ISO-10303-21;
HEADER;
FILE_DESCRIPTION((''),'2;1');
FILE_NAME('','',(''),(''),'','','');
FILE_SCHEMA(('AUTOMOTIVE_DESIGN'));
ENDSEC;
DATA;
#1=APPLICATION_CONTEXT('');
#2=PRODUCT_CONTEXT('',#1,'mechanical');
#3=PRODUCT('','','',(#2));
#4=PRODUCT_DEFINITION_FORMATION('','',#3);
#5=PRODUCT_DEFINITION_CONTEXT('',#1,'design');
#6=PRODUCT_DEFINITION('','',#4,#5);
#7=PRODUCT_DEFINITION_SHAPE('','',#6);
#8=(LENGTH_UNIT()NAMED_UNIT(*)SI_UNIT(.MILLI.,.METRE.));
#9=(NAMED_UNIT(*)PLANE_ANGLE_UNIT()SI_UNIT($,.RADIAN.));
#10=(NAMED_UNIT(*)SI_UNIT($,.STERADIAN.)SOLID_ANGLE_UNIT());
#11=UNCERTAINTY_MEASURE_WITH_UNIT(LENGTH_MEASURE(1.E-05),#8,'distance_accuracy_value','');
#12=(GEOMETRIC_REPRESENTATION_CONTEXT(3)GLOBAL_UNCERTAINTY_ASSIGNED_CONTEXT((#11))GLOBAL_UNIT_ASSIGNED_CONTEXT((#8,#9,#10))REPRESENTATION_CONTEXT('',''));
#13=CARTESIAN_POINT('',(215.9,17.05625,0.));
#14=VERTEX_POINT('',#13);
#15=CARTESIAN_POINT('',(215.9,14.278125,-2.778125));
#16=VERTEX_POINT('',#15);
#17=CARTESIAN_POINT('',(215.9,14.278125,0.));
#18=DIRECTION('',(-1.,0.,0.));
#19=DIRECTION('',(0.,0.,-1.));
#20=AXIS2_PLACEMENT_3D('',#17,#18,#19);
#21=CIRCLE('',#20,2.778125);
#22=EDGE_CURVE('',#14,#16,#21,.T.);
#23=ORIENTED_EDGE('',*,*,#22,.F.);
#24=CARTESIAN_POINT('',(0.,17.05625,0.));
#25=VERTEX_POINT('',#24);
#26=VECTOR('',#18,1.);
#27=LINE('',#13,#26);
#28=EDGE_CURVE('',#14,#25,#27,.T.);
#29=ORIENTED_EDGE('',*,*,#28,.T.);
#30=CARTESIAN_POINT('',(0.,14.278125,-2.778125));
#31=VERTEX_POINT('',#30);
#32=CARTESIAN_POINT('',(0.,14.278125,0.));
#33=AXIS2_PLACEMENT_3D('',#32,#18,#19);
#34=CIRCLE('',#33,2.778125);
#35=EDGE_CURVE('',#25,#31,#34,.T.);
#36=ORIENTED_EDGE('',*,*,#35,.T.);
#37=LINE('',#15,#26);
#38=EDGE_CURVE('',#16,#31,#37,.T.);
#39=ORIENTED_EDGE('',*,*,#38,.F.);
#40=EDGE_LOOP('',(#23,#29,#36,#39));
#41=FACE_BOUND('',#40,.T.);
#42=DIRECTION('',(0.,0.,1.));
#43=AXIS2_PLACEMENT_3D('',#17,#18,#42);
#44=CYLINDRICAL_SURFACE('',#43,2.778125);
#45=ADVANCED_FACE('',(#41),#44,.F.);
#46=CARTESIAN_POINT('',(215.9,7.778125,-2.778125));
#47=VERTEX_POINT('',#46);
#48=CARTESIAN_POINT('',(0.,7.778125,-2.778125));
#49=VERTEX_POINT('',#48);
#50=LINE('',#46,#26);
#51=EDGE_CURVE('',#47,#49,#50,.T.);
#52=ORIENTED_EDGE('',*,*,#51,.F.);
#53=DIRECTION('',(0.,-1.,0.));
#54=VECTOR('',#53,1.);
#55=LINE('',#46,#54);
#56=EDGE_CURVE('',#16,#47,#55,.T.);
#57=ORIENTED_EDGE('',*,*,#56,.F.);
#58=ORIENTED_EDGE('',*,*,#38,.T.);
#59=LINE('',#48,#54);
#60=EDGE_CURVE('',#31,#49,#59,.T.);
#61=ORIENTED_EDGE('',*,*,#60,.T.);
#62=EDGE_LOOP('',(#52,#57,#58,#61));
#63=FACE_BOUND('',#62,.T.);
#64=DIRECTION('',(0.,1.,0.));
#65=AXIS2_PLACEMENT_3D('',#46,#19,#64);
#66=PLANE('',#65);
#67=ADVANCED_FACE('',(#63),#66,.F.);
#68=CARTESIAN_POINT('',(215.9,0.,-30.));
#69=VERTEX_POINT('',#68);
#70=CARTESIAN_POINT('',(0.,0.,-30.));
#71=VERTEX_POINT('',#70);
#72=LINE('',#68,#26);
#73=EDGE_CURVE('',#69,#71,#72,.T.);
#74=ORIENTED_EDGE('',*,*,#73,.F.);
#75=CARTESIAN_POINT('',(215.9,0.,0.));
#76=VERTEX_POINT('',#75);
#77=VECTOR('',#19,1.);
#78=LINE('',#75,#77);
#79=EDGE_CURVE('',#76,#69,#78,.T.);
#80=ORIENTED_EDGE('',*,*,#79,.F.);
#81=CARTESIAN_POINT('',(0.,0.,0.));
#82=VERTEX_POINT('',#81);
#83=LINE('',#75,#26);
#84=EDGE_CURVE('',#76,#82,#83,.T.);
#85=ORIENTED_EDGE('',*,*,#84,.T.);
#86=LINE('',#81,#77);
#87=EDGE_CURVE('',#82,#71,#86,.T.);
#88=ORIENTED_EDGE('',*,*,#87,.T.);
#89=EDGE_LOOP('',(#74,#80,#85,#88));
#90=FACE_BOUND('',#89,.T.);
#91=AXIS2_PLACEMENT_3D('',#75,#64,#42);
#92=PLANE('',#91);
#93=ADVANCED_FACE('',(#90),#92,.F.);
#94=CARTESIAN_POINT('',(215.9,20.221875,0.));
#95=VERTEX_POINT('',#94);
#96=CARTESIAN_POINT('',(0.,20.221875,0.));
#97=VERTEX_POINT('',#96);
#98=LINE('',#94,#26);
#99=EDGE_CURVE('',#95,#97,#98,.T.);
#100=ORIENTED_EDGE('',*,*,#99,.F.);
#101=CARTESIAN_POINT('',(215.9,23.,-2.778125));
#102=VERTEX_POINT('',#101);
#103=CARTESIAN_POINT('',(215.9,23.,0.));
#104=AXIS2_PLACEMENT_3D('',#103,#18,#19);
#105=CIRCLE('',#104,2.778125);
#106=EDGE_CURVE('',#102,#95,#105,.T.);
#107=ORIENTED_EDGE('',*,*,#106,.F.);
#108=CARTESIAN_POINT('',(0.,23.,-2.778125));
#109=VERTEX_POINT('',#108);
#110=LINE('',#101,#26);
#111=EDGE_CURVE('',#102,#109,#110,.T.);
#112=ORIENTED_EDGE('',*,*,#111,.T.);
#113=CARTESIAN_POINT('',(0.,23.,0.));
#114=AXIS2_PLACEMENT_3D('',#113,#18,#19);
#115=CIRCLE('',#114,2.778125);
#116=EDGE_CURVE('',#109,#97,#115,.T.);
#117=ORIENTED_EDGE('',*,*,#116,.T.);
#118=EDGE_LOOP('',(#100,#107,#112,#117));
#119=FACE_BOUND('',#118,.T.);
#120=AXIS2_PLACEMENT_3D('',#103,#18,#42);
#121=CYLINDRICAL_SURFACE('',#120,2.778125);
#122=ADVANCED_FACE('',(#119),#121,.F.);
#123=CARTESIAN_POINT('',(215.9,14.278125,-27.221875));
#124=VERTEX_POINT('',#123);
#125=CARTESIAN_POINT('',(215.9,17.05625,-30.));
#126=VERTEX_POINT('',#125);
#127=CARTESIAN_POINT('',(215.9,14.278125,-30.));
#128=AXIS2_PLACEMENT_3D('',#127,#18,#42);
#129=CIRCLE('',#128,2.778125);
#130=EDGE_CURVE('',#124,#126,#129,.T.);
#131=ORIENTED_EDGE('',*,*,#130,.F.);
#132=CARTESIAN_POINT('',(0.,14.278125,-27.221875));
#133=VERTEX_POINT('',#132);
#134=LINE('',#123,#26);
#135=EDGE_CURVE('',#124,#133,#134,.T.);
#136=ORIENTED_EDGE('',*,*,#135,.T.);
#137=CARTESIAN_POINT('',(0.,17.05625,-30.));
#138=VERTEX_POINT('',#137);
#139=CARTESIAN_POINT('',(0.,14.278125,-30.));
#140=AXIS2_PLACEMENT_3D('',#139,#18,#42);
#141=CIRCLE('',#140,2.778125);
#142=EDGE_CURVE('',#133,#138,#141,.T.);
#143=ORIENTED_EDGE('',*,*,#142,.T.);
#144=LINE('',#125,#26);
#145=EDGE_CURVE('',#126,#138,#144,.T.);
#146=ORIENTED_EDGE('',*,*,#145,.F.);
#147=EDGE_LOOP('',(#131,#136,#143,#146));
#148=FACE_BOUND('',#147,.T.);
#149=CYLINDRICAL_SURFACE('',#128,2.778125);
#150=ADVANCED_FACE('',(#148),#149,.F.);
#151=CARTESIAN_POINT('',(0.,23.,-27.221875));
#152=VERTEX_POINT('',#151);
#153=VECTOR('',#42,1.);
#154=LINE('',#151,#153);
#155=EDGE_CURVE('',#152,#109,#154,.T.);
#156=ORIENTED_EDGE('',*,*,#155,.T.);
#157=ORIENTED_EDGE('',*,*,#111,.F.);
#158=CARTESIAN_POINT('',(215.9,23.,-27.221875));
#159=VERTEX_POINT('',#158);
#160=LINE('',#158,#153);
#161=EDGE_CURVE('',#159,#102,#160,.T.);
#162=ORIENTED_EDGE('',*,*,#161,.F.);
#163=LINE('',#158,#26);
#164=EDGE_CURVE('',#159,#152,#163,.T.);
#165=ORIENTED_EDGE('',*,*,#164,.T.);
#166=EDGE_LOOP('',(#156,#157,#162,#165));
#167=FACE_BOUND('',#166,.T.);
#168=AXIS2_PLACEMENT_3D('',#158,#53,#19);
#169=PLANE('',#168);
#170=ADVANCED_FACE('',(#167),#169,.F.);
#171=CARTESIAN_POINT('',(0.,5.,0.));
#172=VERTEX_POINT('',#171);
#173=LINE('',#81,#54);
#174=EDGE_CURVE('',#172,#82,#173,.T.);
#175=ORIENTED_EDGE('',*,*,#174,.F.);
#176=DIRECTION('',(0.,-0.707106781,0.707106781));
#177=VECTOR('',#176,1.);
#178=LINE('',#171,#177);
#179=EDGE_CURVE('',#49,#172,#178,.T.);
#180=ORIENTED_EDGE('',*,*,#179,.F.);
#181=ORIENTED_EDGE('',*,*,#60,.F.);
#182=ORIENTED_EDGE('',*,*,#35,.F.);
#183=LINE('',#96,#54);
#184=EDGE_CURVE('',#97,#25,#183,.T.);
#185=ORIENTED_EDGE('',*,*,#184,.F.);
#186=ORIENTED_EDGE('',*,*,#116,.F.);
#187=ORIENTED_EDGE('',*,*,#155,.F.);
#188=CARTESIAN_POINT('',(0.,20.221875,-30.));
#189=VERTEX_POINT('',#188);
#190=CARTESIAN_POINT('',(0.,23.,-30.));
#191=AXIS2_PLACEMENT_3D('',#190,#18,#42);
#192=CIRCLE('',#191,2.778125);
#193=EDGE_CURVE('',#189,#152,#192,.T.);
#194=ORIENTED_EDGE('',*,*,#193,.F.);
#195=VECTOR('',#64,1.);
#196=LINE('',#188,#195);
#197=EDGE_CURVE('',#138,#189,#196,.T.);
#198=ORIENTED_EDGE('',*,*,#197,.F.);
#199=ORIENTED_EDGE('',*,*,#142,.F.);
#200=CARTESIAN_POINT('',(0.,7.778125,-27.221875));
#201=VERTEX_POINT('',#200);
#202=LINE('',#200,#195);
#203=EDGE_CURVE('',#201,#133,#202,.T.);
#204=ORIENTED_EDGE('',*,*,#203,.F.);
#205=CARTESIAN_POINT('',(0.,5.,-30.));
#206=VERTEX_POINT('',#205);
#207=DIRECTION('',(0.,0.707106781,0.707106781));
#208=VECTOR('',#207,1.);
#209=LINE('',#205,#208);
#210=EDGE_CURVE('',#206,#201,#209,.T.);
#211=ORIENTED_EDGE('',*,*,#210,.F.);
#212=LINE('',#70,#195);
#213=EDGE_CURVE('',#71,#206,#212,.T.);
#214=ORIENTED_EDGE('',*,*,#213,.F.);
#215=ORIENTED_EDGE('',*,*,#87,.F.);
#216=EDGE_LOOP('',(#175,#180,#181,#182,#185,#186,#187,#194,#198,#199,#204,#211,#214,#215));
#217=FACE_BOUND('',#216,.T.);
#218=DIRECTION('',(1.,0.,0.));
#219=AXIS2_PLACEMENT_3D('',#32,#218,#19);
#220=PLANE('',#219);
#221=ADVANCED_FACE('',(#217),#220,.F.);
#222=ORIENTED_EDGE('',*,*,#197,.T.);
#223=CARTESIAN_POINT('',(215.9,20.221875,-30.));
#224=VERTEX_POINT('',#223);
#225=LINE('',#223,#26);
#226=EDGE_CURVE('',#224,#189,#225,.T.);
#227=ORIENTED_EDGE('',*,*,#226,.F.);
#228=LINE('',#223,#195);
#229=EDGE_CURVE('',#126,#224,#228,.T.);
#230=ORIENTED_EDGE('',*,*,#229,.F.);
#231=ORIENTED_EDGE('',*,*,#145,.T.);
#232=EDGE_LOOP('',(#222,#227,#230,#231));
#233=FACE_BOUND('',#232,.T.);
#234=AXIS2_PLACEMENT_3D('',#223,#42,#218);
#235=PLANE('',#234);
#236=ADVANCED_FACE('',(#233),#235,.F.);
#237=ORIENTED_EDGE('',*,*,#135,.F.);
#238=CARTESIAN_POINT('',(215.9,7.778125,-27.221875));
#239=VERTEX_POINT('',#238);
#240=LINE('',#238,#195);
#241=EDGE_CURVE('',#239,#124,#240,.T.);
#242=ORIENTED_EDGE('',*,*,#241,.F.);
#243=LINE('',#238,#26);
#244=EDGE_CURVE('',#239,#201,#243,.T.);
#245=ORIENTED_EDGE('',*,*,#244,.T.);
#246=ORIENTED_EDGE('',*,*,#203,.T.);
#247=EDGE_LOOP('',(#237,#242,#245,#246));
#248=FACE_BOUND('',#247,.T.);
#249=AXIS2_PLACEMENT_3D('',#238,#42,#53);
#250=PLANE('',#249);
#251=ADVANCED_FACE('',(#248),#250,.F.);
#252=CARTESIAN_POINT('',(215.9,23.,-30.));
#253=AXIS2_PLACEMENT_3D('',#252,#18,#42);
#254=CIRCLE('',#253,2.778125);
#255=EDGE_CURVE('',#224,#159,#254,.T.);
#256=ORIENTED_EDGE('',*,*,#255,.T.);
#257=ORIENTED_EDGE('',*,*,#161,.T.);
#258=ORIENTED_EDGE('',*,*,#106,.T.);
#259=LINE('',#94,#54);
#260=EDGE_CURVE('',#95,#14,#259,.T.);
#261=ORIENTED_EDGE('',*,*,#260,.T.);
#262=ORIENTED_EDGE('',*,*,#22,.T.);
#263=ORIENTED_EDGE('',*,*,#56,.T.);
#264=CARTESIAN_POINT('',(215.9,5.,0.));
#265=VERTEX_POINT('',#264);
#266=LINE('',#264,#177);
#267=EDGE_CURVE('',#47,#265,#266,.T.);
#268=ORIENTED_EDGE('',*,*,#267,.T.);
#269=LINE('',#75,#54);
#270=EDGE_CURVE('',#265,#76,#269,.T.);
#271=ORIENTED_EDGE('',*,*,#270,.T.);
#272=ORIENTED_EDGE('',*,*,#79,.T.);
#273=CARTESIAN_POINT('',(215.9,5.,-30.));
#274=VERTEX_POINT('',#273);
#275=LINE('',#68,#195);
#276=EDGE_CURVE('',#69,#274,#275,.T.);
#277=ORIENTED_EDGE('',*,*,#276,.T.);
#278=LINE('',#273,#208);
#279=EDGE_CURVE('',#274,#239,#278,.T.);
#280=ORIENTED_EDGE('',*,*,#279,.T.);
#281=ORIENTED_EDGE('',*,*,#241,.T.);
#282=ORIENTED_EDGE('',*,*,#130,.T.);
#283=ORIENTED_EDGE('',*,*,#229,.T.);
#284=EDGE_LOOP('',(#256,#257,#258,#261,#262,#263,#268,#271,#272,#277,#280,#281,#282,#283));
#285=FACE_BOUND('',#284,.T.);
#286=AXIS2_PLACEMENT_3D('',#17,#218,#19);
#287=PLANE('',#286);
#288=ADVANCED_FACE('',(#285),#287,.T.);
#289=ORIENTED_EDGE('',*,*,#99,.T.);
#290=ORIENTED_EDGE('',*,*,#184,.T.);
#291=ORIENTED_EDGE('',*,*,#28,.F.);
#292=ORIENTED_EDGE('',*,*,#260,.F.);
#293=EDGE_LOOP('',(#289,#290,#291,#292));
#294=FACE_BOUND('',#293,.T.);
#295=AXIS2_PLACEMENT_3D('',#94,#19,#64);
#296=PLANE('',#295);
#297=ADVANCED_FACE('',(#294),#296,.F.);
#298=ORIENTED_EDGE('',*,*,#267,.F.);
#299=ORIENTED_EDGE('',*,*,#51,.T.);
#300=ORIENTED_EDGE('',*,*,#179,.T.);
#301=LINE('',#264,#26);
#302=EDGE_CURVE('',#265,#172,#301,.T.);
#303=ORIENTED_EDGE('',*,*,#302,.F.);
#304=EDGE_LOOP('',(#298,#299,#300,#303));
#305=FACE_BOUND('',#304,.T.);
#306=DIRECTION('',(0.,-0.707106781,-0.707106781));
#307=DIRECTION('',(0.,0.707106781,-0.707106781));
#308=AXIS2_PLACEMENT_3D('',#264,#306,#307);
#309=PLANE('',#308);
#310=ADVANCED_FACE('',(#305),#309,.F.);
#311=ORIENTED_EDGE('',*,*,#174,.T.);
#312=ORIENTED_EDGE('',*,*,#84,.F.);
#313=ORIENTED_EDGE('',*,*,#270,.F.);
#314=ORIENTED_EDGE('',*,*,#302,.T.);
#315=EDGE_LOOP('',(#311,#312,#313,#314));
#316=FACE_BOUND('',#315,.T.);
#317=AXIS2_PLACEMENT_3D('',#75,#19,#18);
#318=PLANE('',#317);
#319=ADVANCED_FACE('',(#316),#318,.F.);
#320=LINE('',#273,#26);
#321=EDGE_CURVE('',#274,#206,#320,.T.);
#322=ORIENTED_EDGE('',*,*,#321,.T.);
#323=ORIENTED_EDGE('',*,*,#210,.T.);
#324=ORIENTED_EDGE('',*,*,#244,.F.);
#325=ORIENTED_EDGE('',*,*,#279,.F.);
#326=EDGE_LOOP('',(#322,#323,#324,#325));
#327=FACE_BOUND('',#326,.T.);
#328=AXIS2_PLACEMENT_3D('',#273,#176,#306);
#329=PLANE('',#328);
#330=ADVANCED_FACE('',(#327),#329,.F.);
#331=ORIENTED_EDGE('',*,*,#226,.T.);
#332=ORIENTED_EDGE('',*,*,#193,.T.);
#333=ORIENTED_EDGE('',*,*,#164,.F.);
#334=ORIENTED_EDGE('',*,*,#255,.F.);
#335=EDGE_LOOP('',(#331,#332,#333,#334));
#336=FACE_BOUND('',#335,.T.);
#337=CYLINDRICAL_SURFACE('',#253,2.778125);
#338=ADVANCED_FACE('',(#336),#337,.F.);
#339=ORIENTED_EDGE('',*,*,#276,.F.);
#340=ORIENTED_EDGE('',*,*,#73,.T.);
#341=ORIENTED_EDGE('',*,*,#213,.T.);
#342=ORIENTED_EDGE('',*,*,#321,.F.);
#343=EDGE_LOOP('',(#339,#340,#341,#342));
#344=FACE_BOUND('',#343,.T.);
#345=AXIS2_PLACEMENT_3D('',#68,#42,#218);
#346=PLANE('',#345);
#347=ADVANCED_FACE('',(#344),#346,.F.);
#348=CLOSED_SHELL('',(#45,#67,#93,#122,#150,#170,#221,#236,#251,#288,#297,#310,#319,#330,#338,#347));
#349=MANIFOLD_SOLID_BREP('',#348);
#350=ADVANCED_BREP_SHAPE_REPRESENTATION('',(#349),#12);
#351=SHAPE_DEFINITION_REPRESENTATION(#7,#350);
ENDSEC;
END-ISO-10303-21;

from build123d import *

# Parameters (mm, degrees)
BOSS_EXTRUDE1_DEPTH = 215.9


with BuildPart() as part:
    # Sketch1 → Boss-Extrude1 (new body)
    with BuildSketch(Plane(origin=(0, 0, 0), x_dir=(0, 0, -1), z_dir=(1, 0, 0))):
        with BuildLine():
            Line((0, 0), (30, 0))
            Line((30, 0), (30, 5))
            Line((30, 5), (27.221875, 7.778125))
            Line((27.221875, 7.778125), (27.221875, 14.278125))
            ThreePointArc((27.221875, 14.278125), (28.035568974, 16.242556026), (30, 17.05625))
            Line((30, 17.05625), (30, 20.221875))
            ThreePointArc((30, 20.221875), (28.035568974, 21.035568974), (27.221875, 23))
            Line((27.221875, 23), (2.778125, 23))
            ThreePointArc((2.778125, 23), (1.964431026, 21.035568974), (0, 20.221875))
            Line((0, 20.221875), (0, 17.05625))
            ThreePointArc((0, 17.05625), (1.964431026, 16.242556026), (2.778125, 14.278125))
            Line((2.778125, 14.278125), (2.778125, 7.778125))
            Line((2.778125, 7.778125), (0, 5))
            Line((0, 5), (0, 0))
        make_face()
    extrude(amount=BOSS_EXTRUDE1_DEPTH)


solid = part.part
